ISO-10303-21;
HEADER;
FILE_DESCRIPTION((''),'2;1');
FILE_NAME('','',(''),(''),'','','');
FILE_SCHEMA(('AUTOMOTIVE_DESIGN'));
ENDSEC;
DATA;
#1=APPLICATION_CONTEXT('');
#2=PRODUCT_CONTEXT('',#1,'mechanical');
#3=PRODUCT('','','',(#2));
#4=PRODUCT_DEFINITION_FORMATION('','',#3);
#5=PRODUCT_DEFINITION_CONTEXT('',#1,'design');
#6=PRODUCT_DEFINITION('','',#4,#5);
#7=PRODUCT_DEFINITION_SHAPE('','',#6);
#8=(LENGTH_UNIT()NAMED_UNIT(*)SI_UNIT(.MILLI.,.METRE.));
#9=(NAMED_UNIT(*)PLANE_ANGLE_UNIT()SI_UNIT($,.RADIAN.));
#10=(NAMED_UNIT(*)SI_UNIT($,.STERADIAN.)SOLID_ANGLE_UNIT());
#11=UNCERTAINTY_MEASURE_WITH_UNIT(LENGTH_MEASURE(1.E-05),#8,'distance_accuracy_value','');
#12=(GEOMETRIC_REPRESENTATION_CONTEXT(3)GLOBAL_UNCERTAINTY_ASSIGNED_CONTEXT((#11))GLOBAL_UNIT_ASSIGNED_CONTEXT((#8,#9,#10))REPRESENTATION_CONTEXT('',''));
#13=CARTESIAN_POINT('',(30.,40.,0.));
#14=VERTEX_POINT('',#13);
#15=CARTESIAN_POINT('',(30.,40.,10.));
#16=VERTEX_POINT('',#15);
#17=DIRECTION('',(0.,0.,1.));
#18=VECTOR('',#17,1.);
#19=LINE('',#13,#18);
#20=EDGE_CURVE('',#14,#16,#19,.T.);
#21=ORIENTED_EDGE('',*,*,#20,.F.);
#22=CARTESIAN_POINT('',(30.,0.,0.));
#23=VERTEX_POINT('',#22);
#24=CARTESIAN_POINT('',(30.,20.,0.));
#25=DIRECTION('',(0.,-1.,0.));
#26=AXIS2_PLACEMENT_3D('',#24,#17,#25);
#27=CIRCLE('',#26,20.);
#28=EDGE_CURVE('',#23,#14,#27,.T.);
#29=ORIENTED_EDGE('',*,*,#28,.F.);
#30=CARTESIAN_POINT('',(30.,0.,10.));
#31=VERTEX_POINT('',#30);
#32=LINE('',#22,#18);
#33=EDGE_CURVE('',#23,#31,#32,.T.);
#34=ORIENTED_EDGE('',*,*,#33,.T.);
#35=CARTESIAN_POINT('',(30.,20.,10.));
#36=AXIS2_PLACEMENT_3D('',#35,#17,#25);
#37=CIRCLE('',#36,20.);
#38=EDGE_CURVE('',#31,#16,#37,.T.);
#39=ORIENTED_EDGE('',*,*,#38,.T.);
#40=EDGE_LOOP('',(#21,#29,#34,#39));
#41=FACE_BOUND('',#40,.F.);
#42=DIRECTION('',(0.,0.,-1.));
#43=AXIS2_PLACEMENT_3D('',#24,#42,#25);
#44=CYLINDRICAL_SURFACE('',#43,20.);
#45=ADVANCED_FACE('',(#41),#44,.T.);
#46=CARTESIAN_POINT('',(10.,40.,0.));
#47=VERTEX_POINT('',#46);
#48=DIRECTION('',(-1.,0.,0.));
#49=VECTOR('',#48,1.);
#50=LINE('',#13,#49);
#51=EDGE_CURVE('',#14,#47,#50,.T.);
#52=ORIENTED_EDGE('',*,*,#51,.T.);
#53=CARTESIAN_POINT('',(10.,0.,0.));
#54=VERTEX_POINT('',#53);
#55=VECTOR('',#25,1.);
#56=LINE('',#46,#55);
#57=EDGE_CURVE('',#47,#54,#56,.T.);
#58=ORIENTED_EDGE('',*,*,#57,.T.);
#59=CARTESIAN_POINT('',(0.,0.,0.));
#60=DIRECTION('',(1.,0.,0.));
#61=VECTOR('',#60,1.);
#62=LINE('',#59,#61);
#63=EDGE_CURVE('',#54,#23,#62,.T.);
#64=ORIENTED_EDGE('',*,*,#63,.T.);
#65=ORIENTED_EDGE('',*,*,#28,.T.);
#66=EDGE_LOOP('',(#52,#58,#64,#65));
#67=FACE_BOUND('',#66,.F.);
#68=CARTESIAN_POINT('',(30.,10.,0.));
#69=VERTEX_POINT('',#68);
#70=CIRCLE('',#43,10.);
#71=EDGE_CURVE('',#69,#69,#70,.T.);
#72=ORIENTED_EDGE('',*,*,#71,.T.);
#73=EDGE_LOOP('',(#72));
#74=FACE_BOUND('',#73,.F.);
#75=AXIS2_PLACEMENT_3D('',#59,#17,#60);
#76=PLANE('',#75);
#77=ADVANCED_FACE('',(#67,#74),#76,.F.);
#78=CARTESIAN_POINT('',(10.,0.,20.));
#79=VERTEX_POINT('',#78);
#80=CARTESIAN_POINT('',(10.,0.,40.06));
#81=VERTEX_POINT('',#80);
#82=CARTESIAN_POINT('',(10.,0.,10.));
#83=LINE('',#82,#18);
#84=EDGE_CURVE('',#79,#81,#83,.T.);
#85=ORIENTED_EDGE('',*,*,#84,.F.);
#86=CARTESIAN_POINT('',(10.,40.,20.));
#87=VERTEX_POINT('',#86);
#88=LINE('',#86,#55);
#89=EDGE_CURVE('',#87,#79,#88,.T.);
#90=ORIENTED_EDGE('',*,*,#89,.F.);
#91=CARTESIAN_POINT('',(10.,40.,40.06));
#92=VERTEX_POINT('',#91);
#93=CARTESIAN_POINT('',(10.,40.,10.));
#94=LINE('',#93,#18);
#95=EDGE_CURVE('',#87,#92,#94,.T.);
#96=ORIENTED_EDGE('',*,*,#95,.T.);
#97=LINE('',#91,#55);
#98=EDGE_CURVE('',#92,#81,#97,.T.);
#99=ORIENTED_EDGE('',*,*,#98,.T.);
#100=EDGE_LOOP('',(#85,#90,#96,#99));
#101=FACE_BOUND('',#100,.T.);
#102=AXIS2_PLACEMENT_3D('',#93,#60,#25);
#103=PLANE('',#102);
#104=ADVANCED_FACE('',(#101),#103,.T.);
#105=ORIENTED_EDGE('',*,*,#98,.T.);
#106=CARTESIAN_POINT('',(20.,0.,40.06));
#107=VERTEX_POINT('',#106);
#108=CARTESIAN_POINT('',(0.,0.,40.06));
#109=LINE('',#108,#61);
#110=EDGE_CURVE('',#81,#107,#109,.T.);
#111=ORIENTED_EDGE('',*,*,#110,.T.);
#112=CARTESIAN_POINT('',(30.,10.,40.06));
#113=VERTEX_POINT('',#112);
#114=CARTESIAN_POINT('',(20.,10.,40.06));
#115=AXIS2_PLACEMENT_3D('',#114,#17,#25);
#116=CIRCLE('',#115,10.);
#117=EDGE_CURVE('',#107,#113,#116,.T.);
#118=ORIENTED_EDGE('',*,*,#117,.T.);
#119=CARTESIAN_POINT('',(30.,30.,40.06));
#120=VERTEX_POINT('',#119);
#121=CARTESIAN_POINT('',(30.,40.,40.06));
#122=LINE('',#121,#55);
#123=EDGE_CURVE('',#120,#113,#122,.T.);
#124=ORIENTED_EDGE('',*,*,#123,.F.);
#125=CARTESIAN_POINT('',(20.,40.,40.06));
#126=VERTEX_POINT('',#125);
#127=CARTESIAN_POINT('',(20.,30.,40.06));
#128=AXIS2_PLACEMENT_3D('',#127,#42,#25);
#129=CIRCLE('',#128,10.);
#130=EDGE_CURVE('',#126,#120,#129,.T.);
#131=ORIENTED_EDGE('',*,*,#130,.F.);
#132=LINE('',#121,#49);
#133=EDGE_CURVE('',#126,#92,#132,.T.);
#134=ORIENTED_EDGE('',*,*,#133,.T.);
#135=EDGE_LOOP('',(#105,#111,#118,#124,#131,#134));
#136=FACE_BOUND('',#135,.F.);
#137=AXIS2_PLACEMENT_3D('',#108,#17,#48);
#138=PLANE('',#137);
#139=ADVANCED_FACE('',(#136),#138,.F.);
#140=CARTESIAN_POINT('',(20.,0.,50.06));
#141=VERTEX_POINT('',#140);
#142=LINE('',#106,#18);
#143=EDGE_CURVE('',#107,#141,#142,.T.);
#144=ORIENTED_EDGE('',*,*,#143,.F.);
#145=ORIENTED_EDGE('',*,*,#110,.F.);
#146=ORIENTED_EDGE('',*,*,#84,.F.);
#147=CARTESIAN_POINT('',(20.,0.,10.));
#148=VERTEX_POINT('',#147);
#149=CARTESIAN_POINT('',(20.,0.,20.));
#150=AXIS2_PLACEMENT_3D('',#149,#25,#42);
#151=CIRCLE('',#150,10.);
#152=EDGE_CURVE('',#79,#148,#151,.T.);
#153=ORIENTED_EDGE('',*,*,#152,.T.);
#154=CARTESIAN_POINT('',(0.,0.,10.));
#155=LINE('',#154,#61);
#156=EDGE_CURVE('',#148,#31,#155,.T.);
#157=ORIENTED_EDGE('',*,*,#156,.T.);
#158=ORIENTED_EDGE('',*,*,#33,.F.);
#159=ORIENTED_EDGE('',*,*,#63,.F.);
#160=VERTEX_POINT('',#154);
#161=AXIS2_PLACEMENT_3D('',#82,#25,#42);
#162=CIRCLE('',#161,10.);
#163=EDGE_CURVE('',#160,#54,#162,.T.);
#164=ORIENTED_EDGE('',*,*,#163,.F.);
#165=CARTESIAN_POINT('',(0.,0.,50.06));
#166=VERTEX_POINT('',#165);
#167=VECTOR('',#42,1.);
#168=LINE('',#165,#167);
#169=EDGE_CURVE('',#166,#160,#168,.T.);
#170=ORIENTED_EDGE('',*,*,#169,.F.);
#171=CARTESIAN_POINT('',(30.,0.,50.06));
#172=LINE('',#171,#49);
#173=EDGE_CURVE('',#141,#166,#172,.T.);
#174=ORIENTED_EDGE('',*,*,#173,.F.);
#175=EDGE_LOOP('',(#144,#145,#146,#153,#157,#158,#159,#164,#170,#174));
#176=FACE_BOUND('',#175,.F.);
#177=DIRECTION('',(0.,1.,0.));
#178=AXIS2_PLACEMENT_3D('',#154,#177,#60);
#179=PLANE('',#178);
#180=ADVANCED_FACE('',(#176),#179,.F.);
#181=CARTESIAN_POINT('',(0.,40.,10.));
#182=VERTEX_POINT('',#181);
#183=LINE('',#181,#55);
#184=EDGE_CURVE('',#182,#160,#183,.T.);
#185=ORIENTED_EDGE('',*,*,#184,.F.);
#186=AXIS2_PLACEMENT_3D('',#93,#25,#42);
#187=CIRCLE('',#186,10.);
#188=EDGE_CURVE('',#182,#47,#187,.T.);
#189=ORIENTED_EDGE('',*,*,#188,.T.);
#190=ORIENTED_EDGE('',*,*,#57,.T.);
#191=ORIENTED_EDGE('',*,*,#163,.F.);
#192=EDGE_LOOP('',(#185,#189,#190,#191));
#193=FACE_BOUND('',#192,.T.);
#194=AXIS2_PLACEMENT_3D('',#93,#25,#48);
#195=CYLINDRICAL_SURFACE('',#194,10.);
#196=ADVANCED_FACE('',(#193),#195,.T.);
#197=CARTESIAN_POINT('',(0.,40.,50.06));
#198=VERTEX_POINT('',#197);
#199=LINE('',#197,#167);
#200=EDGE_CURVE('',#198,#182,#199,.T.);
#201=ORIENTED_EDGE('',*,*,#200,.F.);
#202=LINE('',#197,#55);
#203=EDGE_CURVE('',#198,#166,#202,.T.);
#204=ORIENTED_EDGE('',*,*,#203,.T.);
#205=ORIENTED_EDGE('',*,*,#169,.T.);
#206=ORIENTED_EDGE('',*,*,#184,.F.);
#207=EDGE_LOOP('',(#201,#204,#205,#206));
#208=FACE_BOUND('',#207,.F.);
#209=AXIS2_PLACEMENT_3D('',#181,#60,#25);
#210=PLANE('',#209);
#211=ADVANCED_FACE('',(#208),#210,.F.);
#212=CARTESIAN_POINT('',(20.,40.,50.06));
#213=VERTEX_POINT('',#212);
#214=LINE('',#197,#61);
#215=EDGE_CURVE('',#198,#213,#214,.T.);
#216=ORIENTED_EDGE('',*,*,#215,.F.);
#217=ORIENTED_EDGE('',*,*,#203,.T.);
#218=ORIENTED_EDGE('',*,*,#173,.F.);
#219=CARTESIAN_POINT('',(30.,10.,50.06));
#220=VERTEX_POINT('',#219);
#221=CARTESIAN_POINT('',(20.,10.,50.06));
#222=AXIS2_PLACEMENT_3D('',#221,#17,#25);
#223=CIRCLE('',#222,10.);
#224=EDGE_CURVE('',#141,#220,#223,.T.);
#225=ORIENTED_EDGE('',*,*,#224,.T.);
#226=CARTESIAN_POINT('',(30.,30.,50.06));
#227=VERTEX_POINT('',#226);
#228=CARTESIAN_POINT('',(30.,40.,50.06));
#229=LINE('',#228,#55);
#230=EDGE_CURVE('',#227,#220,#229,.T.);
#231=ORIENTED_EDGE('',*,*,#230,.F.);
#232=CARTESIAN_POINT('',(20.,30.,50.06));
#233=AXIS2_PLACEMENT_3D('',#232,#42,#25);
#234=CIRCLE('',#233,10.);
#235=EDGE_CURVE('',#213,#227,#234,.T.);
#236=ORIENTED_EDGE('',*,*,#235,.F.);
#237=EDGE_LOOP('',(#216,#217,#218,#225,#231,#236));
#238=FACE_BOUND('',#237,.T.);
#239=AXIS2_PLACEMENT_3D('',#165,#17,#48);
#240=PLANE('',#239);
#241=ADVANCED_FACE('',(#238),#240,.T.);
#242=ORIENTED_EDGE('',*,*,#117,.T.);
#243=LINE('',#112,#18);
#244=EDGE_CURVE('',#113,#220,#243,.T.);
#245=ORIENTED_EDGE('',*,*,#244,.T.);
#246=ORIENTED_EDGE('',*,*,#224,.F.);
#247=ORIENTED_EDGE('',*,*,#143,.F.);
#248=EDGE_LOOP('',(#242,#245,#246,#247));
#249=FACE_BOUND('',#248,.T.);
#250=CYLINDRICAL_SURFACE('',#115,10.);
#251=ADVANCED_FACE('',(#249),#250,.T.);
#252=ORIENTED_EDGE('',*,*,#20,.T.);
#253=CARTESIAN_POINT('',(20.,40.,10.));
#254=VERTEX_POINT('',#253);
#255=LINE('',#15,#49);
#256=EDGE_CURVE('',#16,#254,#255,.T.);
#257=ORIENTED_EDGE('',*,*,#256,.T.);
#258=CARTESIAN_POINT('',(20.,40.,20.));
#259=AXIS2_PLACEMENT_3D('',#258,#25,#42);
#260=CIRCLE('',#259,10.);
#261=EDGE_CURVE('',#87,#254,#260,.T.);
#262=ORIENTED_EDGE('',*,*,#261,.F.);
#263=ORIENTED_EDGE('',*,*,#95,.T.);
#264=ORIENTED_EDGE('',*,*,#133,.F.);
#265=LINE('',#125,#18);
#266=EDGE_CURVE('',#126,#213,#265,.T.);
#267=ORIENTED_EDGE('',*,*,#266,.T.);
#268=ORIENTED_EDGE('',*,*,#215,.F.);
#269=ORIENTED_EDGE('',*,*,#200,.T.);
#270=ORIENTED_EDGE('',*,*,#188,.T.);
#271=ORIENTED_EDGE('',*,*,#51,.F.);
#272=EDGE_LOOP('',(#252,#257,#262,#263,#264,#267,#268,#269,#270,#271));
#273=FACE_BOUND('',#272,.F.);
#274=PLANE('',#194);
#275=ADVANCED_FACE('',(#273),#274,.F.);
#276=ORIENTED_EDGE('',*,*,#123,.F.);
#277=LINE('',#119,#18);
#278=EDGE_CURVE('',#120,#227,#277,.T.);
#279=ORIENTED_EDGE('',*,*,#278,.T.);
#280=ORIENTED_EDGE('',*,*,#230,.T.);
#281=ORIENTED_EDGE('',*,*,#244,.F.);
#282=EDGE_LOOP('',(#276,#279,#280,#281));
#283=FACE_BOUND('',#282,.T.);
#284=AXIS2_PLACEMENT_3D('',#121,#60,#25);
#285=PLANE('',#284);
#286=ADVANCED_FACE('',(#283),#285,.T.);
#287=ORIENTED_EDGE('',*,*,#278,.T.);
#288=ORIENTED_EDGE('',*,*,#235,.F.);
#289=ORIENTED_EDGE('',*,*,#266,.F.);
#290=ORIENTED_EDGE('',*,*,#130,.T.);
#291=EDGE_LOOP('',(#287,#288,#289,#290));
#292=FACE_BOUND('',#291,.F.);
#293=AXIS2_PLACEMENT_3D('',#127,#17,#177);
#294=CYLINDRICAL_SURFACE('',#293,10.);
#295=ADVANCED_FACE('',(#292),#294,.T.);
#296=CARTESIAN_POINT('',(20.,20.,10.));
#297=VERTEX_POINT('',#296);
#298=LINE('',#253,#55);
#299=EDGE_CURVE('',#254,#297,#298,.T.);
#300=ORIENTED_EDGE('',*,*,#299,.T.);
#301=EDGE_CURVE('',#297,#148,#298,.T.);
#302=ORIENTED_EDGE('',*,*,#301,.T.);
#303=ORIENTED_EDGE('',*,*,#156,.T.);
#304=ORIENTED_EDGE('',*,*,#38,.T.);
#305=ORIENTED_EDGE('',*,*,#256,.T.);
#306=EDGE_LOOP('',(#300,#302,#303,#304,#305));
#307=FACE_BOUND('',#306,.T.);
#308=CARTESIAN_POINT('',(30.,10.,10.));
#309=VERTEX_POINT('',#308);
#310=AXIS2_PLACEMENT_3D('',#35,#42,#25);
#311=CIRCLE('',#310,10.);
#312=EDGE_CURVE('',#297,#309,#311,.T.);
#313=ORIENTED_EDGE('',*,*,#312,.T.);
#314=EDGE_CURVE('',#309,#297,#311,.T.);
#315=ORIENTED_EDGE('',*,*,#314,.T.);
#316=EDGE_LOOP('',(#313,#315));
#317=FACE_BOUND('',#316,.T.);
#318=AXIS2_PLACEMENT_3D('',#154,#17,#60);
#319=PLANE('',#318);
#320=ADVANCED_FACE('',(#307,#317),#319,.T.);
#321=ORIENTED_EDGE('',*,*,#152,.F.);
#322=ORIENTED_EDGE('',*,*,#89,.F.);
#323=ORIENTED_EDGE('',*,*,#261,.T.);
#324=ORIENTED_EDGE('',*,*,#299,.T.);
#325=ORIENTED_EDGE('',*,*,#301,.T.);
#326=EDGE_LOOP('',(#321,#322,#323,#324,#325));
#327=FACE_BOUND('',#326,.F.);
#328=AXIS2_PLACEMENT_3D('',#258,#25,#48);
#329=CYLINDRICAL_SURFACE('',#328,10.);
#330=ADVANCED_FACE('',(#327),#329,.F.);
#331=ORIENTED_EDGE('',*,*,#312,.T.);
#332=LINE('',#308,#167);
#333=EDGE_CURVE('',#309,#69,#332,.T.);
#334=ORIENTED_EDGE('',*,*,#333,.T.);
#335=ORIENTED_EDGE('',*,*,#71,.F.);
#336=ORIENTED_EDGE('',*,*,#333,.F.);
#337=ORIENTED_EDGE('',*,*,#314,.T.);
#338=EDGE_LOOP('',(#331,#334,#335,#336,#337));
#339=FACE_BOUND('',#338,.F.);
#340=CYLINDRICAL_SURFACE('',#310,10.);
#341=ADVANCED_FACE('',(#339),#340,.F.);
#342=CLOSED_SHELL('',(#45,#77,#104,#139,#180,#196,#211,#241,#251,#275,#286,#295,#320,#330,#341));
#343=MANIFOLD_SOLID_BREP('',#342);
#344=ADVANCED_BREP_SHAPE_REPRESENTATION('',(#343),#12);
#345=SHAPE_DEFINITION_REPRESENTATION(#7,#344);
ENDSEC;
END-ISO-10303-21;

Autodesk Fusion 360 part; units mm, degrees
sketch "Sketch1" plane through (0, 0, 0) normal (0, 0, 1) x (1, 0, 0)
  line L0 (0, 0) -> (30, 0)
  line L1 (30, 0) -> (30, 40)
  line L2 (30, 40) -> (0, 40)
  line L3 (0, 40) -> (0, 0)
  arc A0 (30, 0) -> (30, 40) centre (30, 20) ccw
  dimension "d1" = 30
  dimension "d2" = 40
  dimension "d3" = 40
extrude "Extrude1" add sketch "Sketch1" along normal blind 10
sketch "Sketch2" plane through (0, 0, 10) normal (0, 0, 1) x (-1, 0, 0)
  arc A0 (-30, 0) -> (-30, -40) centre (-30, -20) ccw
  line L0 (-30, -40) -> (0, -40)
  line L1 (0, -40) -> (0, 0)
  line L2 (0, 0) -> (-30, 0)
  line L3 (0, -40) -> (-10, -40)
  line L4 (-10, -40) -> (-10, 0)
  line L5 (-10, 0) -> (0, 0)
  line L6 (0, 0) -> (0, -40)
  dimension "d6" = 10
  dimension "d7" = 40
extrude "Extrude2" add sketch "Sketch2" along normal blind 30.06 contours L0 L1 L2 L3 L4 L5 L6
sketch "Sketch3" plane through (0, 0, 40.06) normal (0, 0, 1) x (-1, 0, 0)
  line L0 (0, 0) -> (-10, 0)
  line L1 (-10, 0) -> (-10, -40)
  line L2 (-10, -40) -> (0, -40)
  line L3 (0, -40) -> (0, 0)
  line L4 (0, -40) -> (-30, -40)
  line L5 (-30, -40) -> (-30, 0)
  line L6 (-30, 0) -> (0, 0)
  line L7 (0, 0) -> (0, -40)
  dimension "d10" = 30
  dimension "d11" = 40
extrude "Extrude3" add sketch "Sketch3" along normal blind 10
fillet "Fillet1" radius 10 4 edges at (30, 0, 45.06) (30, 40, 45.06) (10, 20, 10) (0, 20, 0)
hole "Hole1" at (30, 20, 10) direction (0, 0, -1) diameter 20 end through all
